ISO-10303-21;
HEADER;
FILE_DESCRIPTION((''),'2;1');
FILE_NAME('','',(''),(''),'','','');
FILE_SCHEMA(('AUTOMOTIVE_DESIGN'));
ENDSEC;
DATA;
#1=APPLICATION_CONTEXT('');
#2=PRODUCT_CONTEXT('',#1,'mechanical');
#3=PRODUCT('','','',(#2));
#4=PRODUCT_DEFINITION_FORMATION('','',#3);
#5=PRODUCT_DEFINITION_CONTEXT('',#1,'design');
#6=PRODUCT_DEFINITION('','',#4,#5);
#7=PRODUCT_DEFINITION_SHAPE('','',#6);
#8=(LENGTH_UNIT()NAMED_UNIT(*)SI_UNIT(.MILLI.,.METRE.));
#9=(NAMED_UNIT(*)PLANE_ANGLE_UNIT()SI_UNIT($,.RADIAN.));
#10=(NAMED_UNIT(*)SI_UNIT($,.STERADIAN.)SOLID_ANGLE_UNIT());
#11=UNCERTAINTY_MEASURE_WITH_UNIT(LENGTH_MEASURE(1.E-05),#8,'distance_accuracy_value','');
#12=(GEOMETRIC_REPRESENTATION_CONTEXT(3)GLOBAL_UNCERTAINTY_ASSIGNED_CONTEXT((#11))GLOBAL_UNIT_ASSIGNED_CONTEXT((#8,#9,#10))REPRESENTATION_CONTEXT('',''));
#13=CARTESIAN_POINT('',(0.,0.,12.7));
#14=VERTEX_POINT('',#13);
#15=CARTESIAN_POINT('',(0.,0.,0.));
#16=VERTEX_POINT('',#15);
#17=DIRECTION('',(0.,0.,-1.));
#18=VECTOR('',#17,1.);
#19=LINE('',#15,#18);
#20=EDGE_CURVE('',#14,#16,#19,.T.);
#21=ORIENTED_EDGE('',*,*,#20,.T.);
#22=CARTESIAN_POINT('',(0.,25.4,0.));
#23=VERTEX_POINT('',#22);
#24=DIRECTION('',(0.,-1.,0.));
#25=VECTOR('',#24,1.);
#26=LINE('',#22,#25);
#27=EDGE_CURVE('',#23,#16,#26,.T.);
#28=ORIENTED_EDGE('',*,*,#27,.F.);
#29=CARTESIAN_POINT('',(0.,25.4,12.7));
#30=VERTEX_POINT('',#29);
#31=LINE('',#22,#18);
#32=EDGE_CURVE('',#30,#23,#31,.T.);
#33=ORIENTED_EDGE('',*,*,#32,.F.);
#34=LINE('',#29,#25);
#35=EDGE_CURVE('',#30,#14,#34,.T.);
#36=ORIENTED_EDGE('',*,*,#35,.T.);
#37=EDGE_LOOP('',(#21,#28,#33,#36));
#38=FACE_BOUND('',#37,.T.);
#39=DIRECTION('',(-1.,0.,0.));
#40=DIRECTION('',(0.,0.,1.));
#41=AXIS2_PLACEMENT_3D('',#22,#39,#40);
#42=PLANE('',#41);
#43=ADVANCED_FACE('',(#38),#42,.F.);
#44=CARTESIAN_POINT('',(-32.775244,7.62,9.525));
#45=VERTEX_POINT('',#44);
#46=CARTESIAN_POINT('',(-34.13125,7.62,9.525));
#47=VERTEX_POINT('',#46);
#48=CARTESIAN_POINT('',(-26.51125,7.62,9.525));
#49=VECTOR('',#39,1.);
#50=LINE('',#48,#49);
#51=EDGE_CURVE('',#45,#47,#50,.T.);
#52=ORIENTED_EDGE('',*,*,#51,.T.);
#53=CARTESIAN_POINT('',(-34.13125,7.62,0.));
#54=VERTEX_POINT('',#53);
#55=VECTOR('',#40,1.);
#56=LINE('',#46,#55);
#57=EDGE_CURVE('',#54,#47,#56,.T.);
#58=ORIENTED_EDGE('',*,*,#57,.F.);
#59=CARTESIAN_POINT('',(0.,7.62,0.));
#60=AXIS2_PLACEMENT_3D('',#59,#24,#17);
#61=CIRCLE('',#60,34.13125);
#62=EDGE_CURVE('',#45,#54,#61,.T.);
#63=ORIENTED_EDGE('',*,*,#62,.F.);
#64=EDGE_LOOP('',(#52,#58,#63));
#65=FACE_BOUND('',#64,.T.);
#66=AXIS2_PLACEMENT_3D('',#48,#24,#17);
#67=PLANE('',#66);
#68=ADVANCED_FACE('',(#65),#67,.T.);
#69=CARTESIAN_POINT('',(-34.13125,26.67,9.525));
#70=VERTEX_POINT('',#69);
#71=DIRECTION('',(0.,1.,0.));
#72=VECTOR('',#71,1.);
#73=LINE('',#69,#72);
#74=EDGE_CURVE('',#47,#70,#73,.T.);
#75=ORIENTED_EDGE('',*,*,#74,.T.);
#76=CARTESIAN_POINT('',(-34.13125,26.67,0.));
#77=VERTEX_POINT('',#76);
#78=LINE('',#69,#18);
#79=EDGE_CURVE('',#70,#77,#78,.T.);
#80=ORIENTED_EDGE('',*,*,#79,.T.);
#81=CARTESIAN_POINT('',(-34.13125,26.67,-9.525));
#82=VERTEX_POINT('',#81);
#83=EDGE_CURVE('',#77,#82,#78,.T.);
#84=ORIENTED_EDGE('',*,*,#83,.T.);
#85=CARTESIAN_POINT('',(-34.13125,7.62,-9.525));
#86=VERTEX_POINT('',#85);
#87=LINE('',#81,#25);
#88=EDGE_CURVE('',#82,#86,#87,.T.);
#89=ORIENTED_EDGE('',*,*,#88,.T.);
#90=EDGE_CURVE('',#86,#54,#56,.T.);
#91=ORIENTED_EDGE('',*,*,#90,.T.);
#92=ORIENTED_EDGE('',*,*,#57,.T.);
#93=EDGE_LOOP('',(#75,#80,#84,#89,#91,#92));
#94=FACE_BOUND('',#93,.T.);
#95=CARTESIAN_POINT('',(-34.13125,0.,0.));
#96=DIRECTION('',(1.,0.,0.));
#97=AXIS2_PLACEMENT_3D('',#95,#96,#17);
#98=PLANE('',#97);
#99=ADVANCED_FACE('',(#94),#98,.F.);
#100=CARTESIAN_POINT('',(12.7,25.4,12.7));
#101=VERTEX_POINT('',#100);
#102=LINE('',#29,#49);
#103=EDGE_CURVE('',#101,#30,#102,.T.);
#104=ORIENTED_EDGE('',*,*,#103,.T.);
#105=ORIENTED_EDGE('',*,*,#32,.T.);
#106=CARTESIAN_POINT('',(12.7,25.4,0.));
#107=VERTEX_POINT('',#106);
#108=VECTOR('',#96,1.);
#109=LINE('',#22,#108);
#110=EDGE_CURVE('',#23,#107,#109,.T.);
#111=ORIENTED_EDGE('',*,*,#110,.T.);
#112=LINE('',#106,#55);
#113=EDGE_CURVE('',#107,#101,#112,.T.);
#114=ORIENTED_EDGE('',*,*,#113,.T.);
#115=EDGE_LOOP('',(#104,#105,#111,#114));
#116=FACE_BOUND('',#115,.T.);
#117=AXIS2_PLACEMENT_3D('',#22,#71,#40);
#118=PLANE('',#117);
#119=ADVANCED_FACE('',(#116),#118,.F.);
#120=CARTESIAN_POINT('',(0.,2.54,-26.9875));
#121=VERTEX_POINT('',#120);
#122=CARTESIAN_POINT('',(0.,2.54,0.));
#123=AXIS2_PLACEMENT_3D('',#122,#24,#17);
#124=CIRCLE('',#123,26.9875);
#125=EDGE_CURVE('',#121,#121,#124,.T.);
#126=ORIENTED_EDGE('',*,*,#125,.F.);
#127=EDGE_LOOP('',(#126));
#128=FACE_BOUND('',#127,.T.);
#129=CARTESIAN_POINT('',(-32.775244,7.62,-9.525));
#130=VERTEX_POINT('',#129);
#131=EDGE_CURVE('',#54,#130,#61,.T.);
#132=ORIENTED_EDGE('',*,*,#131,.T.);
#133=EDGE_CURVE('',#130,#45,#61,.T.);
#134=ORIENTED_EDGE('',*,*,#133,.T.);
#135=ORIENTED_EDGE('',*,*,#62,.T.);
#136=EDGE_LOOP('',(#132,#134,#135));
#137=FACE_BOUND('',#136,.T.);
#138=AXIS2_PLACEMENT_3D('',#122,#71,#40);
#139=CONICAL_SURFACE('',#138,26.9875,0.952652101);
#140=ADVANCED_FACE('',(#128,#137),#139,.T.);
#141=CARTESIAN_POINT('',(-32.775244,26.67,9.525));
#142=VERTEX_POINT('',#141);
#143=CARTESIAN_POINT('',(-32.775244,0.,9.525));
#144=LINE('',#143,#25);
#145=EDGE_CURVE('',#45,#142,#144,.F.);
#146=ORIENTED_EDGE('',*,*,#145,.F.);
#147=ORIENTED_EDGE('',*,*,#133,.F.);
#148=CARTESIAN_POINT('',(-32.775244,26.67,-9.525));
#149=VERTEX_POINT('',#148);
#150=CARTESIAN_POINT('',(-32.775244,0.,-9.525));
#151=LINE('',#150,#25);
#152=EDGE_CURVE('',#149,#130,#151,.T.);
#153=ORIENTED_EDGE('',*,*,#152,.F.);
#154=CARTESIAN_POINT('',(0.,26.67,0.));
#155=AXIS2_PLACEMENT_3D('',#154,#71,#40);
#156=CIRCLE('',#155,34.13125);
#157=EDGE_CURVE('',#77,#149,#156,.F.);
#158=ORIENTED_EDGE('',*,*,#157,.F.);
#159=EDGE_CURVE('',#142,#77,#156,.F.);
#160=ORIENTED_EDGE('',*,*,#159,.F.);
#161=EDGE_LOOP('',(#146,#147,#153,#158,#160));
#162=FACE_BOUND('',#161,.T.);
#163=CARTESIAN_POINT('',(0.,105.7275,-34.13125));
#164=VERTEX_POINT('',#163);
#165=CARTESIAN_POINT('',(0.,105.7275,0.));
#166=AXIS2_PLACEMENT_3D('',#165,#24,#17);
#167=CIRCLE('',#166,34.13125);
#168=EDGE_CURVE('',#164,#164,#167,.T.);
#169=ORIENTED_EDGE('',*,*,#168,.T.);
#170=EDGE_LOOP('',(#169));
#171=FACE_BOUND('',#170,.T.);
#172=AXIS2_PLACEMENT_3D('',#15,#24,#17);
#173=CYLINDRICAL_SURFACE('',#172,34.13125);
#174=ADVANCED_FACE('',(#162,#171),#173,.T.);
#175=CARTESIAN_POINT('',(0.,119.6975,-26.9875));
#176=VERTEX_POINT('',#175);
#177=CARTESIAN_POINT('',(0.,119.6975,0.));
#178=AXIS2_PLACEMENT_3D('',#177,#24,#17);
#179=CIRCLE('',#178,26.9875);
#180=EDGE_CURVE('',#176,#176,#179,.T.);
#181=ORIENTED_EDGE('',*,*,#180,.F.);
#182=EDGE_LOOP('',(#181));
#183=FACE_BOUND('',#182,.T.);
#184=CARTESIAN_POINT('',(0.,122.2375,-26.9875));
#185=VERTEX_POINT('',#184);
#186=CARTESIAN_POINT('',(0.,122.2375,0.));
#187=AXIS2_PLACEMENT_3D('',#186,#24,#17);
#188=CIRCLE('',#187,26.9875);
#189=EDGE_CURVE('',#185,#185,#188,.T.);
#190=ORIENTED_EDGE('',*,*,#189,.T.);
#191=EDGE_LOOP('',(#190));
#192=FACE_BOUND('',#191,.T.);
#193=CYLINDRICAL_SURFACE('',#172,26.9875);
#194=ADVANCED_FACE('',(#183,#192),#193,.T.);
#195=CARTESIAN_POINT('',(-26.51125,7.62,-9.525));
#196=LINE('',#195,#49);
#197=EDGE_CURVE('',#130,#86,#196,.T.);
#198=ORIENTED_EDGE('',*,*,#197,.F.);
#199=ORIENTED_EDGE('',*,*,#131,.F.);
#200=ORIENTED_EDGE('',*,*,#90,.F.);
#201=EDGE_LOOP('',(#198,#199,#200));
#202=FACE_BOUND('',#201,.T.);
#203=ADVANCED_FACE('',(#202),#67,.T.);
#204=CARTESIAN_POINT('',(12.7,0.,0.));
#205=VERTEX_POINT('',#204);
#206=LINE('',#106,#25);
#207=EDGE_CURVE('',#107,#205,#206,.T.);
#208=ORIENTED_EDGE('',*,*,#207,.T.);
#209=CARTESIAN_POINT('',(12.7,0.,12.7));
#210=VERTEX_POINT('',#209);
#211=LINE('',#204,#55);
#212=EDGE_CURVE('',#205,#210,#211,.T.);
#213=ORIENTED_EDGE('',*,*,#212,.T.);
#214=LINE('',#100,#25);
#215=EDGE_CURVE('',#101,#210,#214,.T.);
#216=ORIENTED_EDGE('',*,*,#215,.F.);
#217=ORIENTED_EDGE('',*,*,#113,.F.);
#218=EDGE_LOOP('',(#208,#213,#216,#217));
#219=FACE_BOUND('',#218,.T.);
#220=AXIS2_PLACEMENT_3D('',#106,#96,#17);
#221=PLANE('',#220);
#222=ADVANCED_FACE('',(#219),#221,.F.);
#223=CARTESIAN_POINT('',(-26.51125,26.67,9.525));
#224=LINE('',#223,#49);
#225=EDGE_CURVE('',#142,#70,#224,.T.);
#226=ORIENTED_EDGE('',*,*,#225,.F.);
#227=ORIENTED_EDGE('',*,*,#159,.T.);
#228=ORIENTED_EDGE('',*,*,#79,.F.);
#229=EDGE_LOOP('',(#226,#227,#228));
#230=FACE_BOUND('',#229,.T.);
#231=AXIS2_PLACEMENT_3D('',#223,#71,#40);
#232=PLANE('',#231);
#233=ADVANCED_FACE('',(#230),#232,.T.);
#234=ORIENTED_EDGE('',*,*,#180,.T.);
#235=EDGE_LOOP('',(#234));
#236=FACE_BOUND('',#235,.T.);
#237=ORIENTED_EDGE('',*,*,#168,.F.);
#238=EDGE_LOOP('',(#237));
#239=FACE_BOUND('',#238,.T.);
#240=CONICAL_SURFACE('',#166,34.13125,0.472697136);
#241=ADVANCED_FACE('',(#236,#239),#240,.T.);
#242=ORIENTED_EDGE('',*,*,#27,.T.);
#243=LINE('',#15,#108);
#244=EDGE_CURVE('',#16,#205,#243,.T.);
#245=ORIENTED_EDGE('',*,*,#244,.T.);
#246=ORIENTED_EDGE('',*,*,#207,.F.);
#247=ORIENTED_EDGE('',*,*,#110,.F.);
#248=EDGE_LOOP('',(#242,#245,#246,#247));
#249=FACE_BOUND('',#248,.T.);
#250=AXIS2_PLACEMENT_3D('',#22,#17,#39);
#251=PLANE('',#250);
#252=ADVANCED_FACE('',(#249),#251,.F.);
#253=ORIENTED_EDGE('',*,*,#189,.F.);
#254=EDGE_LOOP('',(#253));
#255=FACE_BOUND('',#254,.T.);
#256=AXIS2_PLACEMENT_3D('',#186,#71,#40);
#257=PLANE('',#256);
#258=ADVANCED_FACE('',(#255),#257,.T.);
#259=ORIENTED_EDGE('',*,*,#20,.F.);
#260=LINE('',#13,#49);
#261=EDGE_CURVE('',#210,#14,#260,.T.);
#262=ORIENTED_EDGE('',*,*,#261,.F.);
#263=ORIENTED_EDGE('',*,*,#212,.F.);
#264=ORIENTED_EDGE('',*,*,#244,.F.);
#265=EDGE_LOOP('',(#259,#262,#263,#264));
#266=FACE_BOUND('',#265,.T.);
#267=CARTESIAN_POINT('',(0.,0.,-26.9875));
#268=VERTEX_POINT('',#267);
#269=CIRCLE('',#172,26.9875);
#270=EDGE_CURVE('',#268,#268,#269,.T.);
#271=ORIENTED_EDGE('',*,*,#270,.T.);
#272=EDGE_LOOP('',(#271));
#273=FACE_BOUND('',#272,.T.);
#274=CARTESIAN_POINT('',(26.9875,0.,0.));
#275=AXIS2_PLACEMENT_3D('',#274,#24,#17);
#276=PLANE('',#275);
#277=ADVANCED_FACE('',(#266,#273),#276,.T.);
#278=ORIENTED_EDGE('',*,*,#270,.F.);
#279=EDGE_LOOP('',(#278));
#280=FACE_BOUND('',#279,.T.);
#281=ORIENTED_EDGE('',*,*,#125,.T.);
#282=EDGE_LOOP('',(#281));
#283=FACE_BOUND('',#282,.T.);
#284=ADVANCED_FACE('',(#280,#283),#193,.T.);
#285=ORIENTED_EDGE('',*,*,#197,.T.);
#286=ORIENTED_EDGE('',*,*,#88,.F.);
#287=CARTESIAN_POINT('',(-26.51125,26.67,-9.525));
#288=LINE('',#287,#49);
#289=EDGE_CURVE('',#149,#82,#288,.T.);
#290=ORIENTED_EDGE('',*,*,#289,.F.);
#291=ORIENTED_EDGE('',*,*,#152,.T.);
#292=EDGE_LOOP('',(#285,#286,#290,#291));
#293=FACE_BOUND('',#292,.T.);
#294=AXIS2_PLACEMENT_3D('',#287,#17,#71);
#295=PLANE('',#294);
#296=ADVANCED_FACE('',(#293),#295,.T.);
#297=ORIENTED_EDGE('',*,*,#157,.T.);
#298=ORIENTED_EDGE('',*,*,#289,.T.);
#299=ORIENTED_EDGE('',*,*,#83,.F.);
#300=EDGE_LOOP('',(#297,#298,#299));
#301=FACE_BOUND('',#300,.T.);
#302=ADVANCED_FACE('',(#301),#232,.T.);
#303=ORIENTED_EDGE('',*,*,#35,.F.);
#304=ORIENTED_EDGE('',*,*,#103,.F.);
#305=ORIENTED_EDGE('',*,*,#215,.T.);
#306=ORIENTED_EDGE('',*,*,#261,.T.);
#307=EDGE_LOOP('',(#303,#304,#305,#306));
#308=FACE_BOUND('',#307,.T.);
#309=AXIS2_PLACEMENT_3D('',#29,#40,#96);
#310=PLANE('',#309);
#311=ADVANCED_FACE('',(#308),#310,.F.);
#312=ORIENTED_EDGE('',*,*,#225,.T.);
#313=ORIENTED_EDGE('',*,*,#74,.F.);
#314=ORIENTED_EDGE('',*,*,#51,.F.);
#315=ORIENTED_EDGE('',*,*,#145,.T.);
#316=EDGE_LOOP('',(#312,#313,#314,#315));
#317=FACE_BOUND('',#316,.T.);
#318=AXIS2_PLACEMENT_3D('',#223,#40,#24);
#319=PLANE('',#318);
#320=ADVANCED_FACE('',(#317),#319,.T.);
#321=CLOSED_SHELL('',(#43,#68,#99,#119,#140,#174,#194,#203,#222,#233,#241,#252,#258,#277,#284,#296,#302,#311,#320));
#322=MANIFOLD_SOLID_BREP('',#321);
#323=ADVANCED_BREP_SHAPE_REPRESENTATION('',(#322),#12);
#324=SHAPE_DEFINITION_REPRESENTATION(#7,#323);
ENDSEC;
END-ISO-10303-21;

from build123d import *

# Parameters (mm, degrees)
SKETCH2_W           = 19.05
SKETCH2_H           = 19.05
BOSS_EXTRUDE1_DEPTH = 7.62
SKETCH3_W           = 12.7
SKETCH3_H           = 12.7
CUT_EXTRUDE1_DEPTH  = 25.4


with BuildPart() as part:
    # Sketch1 → Revolve1 (revolve)
    with BuildSketch(Plane.XY):
        Polygon((0, 0), (0, 122.2375), (26.9875, 122.2375), (26.9875, 119.6975), (34.13125, 105.7275), (34.13125, 7.62), (26.9875, 2.54), (26.9875, 0), align=None)
    revolve(axis=Axis((0, 0, 0), (0, 1, 0)))

    # Sketch2 → Boss-Extrude1 (add)
    with BuildSketch(Plane.ZY.offset(34.13125)):
        with Locations((0, 17.145)):
            Rectangle(SKETCH2_W, SKETCH2_H)
    extrude(amount=-BOSS_EXTRUDE1_DEPTH)

    # Sketch3 → Cut-Extrude1 (cut)
    with BuildSketch(Plane.XZ):
        with Locations((6.35, 6.35)):
            Rectangle(SKETCH3_W, SKETCH3_H)
    extrude(amount=-CUT_EXTRUDE1_DEPTH, mode=Mode.SUBTRACT)


solid = part.part
